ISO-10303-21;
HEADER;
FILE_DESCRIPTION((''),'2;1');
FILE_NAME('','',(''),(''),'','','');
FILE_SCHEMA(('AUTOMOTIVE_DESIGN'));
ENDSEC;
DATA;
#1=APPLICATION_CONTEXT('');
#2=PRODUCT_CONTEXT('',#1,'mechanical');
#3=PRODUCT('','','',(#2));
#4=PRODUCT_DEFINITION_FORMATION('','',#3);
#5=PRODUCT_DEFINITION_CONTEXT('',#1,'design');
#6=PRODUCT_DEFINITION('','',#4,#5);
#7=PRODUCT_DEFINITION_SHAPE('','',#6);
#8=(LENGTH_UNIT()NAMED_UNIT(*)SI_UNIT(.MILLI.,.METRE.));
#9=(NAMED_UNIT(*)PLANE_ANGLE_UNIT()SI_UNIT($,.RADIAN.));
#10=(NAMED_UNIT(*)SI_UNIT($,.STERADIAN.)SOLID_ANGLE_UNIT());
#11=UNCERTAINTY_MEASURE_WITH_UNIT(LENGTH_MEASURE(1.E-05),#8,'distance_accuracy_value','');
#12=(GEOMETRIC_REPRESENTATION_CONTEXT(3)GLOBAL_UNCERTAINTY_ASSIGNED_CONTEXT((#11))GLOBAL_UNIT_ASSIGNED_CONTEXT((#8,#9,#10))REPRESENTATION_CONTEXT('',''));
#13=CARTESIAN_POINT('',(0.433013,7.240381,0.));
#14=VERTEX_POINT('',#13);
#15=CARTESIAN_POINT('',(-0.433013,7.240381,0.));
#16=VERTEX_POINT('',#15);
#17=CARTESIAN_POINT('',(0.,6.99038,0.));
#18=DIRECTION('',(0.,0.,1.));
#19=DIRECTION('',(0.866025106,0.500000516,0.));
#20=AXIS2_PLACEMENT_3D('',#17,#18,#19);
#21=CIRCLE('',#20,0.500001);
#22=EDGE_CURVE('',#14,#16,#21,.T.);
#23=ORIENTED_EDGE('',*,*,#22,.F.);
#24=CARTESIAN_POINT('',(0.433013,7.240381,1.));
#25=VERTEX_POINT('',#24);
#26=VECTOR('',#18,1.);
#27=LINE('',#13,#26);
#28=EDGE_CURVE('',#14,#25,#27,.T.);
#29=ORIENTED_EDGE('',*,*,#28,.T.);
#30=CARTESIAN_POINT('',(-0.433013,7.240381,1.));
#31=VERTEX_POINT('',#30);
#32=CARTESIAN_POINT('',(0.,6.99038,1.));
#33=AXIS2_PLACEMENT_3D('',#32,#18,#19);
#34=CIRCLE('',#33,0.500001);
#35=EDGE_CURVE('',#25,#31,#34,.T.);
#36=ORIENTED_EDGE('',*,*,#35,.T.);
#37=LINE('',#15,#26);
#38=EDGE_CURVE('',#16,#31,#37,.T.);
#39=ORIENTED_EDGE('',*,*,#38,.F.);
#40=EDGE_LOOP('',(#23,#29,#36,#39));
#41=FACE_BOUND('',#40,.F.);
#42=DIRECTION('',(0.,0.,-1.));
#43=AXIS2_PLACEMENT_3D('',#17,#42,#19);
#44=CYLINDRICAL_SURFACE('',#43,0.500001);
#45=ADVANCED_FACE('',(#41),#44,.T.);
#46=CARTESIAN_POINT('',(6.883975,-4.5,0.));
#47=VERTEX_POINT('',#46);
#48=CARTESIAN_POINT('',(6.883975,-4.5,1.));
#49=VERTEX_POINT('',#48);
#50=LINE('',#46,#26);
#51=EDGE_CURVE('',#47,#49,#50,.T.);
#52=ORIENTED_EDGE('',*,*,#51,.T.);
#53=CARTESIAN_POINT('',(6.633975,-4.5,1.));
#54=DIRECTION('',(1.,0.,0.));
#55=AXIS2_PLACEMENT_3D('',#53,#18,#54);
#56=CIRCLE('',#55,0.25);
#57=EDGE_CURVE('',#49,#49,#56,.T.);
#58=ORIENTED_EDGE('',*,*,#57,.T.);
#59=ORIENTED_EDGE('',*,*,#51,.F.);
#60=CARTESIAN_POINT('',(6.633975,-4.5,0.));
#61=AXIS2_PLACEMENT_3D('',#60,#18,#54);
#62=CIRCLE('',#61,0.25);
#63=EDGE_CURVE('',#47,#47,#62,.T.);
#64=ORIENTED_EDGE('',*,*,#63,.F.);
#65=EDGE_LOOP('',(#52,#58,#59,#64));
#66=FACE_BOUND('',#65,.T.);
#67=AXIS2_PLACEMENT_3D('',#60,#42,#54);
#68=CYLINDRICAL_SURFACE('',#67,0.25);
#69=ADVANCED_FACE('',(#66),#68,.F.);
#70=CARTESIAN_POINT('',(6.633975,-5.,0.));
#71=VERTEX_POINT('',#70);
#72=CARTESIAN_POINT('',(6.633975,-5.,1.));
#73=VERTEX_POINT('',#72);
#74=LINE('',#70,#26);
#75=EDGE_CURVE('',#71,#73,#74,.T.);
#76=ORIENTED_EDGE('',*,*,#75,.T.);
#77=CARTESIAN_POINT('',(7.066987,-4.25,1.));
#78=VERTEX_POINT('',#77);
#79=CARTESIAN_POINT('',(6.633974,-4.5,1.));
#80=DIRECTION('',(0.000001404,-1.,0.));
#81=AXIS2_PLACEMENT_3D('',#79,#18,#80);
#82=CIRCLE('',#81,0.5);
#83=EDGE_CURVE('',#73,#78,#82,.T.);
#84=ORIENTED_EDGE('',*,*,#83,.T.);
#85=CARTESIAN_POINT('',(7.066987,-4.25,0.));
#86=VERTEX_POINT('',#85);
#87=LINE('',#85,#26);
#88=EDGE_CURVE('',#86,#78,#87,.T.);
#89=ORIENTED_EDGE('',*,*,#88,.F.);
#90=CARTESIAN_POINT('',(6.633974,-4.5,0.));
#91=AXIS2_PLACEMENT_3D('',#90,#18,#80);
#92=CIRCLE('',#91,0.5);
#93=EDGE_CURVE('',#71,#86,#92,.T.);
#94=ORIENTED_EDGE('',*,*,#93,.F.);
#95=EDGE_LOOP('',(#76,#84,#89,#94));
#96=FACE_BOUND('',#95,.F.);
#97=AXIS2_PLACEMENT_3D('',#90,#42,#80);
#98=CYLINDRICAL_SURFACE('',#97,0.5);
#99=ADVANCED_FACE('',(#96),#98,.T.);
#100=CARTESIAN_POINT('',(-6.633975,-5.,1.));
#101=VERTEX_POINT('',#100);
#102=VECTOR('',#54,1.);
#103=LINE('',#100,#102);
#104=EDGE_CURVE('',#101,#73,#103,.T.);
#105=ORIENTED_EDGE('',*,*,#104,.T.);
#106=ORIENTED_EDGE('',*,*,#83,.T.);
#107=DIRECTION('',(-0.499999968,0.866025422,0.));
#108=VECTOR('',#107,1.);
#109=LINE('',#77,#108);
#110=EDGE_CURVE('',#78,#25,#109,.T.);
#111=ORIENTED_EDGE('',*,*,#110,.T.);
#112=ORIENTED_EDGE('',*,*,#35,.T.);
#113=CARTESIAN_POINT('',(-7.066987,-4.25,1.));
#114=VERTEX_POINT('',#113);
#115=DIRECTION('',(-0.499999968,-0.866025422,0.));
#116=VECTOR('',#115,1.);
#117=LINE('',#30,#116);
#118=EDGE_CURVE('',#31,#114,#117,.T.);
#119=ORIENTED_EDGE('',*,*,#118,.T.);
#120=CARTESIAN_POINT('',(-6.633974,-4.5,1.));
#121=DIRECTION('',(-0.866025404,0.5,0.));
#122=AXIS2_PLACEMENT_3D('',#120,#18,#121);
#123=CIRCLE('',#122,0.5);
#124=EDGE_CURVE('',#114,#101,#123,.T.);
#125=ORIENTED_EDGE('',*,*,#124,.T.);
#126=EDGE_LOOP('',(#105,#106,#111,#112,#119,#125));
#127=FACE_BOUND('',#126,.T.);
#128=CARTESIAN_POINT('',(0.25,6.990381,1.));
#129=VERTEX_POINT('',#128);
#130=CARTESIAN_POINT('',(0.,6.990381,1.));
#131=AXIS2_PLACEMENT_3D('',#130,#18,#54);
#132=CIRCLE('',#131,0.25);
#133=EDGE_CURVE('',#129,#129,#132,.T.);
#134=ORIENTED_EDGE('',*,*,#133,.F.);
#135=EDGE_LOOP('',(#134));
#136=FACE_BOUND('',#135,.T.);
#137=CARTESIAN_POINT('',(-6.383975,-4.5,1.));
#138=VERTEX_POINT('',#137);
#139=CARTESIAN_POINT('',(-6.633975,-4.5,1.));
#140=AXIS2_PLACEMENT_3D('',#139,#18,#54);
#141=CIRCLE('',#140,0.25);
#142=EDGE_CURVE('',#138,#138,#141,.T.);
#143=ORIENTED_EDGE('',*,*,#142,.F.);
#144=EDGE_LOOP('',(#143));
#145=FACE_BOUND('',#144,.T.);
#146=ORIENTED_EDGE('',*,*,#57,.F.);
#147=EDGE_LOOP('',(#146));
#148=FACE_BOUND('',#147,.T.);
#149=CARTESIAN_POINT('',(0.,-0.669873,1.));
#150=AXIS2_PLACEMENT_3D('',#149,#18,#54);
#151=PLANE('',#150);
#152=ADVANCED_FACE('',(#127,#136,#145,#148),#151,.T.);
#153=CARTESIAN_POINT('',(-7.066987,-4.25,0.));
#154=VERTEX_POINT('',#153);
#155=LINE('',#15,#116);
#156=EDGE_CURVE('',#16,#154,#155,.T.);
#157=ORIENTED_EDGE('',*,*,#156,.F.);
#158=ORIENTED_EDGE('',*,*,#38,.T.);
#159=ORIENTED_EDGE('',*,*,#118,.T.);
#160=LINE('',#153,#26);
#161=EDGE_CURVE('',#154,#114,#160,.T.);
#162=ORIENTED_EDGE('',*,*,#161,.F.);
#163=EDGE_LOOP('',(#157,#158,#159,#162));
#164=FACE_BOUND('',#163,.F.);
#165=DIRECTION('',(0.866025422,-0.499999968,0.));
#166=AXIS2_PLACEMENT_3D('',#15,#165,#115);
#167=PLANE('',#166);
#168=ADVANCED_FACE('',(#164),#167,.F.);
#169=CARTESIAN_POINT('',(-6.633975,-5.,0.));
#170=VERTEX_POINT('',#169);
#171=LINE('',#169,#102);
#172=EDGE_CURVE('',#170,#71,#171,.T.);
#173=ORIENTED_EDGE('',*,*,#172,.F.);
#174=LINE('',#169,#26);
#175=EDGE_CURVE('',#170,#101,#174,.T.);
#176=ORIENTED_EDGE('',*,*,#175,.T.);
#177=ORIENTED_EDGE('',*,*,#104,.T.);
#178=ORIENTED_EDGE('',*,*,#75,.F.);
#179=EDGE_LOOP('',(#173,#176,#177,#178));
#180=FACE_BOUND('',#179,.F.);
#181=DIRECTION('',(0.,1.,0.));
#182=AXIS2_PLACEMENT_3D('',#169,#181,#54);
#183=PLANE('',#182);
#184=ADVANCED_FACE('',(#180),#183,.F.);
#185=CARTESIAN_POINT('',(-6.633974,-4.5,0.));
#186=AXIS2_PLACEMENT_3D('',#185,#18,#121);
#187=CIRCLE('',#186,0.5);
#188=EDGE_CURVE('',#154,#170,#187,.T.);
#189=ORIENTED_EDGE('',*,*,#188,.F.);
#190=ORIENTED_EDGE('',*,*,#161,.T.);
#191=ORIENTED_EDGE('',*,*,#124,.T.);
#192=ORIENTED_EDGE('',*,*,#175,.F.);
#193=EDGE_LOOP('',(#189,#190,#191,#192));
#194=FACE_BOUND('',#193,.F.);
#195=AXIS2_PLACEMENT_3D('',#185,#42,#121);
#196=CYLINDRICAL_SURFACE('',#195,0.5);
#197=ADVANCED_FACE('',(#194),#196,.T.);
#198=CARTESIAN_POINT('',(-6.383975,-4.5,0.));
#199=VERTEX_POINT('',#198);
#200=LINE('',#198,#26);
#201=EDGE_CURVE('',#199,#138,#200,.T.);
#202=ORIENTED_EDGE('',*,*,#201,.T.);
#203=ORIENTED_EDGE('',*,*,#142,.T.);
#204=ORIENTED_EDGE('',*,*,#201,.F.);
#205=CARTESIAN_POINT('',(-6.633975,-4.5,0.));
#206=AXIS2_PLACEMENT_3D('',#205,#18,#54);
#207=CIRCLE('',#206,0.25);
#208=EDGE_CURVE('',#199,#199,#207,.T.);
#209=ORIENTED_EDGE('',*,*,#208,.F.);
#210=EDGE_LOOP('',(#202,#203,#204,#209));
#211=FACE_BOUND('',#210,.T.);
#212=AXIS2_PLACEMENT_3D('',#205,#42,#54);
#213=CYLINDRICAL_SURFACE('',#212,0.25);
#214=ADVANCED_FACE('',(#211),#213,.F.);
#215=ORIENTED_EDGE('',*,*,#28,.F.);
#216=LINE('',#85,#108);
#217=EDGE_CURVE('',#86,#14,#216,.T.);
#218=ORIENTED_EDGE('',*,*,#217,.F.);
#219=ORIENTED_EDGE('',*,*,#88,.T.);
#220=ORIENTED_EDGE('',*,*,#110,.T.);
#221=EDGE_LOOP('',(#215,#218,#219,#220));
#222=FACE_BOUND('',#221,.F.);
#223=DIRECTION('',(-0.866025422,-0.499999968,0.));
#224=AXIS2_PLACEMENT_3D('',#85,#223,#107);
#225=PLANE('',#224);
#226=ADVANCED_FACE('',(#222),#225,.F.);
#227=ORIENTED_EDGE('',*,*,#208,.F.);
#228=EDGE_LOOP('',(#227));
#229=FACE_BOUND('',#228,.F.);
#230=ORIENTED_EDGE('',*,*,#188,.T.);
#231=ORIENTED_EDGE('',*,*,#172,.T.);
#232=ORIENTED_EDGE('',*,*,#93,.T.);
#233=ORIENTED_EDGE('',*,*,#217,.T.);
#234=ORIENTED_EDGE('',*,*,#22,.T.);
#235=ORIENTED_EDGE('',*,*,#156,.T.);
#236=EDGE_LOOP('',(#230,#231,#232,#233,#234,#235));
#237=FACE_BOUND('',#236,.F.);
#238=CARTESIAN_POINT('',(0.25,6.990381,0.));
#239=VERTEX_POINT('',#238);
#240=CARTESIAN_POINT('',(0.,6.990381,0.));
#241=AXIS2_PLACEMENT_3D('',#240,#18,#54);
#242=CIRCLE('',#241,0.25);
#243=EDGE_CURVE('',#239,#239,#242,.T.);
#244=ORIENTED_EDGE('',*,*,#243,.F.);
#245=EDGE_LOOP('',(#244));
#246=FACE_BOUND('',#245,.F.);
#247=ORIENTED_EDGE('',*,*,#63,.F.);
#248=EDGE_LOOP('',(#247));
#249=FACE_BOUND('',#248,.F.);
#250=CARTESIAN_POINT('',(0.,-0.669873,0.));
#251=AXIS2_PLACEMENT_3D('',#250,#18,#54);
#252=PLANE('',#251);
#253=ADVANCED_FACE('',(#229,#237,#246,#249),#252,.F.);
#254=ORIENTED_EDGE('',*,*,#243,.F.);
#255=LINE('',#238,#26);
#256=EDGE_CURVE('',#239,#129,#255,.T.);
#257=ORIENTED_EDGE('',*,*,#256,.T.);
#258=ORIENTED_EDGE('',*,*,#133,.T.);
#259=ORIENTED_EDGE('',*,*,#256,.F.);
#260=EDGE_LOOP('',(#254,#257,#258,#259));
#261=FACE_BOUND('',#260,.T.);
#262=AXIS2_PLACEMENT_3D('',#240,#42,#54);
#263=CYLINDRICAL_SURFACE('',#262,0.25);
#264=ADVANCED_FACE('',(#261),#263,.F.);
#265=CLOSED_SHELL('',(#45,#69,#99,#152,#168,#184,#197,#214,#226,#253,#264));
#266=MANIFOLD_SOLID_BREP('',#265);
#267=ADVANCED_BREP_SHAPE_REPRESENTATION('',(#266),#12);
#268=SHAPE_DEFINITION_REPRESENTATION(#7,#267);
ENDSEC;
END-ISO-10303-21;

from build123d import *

# Parameters (mm, degrees)
F0_R     = 0.25
F1_DEPTH = 1


with BuildPart() as f1:
    # F0 (on Top) → F1 (new body)
    with BuildSketch(Plane.XY):
        with BuildLine():
            ThreePointArc((0.433013, 7.240381), (0, 7.490381), (-0.433013, 7.240381))
            Line((-0.433013, 7.240381), (-7.066987, -4.25))
            ThreePointArc((-7.066987, -4.25), (-7.066987, -4.75), (-6.633975, -5))
            Line((-6.633975, -5), (6.633975, -5))
            ThreePointArc((6.633975, -5), (7.066987, -4.75), (7.066987, -4.25))
            Line((7.066987, -4.25), (0.433013, 7.240381))
        make_face()
        with Locations((-6.633975, -4.5)):
            Circle(F0_R, mode=Mode.SUBTRACT)
        with Locations((6.633975, -4.5)):
            Circle(F0_R, mode=Mode.SUBTRACT)
        with Locations((0, 6.990381)):
            Circle(F0_R, mode=Mode.SUBTRACT)
    extrude(amount=F1_DEPTH)


solid = f1.part
